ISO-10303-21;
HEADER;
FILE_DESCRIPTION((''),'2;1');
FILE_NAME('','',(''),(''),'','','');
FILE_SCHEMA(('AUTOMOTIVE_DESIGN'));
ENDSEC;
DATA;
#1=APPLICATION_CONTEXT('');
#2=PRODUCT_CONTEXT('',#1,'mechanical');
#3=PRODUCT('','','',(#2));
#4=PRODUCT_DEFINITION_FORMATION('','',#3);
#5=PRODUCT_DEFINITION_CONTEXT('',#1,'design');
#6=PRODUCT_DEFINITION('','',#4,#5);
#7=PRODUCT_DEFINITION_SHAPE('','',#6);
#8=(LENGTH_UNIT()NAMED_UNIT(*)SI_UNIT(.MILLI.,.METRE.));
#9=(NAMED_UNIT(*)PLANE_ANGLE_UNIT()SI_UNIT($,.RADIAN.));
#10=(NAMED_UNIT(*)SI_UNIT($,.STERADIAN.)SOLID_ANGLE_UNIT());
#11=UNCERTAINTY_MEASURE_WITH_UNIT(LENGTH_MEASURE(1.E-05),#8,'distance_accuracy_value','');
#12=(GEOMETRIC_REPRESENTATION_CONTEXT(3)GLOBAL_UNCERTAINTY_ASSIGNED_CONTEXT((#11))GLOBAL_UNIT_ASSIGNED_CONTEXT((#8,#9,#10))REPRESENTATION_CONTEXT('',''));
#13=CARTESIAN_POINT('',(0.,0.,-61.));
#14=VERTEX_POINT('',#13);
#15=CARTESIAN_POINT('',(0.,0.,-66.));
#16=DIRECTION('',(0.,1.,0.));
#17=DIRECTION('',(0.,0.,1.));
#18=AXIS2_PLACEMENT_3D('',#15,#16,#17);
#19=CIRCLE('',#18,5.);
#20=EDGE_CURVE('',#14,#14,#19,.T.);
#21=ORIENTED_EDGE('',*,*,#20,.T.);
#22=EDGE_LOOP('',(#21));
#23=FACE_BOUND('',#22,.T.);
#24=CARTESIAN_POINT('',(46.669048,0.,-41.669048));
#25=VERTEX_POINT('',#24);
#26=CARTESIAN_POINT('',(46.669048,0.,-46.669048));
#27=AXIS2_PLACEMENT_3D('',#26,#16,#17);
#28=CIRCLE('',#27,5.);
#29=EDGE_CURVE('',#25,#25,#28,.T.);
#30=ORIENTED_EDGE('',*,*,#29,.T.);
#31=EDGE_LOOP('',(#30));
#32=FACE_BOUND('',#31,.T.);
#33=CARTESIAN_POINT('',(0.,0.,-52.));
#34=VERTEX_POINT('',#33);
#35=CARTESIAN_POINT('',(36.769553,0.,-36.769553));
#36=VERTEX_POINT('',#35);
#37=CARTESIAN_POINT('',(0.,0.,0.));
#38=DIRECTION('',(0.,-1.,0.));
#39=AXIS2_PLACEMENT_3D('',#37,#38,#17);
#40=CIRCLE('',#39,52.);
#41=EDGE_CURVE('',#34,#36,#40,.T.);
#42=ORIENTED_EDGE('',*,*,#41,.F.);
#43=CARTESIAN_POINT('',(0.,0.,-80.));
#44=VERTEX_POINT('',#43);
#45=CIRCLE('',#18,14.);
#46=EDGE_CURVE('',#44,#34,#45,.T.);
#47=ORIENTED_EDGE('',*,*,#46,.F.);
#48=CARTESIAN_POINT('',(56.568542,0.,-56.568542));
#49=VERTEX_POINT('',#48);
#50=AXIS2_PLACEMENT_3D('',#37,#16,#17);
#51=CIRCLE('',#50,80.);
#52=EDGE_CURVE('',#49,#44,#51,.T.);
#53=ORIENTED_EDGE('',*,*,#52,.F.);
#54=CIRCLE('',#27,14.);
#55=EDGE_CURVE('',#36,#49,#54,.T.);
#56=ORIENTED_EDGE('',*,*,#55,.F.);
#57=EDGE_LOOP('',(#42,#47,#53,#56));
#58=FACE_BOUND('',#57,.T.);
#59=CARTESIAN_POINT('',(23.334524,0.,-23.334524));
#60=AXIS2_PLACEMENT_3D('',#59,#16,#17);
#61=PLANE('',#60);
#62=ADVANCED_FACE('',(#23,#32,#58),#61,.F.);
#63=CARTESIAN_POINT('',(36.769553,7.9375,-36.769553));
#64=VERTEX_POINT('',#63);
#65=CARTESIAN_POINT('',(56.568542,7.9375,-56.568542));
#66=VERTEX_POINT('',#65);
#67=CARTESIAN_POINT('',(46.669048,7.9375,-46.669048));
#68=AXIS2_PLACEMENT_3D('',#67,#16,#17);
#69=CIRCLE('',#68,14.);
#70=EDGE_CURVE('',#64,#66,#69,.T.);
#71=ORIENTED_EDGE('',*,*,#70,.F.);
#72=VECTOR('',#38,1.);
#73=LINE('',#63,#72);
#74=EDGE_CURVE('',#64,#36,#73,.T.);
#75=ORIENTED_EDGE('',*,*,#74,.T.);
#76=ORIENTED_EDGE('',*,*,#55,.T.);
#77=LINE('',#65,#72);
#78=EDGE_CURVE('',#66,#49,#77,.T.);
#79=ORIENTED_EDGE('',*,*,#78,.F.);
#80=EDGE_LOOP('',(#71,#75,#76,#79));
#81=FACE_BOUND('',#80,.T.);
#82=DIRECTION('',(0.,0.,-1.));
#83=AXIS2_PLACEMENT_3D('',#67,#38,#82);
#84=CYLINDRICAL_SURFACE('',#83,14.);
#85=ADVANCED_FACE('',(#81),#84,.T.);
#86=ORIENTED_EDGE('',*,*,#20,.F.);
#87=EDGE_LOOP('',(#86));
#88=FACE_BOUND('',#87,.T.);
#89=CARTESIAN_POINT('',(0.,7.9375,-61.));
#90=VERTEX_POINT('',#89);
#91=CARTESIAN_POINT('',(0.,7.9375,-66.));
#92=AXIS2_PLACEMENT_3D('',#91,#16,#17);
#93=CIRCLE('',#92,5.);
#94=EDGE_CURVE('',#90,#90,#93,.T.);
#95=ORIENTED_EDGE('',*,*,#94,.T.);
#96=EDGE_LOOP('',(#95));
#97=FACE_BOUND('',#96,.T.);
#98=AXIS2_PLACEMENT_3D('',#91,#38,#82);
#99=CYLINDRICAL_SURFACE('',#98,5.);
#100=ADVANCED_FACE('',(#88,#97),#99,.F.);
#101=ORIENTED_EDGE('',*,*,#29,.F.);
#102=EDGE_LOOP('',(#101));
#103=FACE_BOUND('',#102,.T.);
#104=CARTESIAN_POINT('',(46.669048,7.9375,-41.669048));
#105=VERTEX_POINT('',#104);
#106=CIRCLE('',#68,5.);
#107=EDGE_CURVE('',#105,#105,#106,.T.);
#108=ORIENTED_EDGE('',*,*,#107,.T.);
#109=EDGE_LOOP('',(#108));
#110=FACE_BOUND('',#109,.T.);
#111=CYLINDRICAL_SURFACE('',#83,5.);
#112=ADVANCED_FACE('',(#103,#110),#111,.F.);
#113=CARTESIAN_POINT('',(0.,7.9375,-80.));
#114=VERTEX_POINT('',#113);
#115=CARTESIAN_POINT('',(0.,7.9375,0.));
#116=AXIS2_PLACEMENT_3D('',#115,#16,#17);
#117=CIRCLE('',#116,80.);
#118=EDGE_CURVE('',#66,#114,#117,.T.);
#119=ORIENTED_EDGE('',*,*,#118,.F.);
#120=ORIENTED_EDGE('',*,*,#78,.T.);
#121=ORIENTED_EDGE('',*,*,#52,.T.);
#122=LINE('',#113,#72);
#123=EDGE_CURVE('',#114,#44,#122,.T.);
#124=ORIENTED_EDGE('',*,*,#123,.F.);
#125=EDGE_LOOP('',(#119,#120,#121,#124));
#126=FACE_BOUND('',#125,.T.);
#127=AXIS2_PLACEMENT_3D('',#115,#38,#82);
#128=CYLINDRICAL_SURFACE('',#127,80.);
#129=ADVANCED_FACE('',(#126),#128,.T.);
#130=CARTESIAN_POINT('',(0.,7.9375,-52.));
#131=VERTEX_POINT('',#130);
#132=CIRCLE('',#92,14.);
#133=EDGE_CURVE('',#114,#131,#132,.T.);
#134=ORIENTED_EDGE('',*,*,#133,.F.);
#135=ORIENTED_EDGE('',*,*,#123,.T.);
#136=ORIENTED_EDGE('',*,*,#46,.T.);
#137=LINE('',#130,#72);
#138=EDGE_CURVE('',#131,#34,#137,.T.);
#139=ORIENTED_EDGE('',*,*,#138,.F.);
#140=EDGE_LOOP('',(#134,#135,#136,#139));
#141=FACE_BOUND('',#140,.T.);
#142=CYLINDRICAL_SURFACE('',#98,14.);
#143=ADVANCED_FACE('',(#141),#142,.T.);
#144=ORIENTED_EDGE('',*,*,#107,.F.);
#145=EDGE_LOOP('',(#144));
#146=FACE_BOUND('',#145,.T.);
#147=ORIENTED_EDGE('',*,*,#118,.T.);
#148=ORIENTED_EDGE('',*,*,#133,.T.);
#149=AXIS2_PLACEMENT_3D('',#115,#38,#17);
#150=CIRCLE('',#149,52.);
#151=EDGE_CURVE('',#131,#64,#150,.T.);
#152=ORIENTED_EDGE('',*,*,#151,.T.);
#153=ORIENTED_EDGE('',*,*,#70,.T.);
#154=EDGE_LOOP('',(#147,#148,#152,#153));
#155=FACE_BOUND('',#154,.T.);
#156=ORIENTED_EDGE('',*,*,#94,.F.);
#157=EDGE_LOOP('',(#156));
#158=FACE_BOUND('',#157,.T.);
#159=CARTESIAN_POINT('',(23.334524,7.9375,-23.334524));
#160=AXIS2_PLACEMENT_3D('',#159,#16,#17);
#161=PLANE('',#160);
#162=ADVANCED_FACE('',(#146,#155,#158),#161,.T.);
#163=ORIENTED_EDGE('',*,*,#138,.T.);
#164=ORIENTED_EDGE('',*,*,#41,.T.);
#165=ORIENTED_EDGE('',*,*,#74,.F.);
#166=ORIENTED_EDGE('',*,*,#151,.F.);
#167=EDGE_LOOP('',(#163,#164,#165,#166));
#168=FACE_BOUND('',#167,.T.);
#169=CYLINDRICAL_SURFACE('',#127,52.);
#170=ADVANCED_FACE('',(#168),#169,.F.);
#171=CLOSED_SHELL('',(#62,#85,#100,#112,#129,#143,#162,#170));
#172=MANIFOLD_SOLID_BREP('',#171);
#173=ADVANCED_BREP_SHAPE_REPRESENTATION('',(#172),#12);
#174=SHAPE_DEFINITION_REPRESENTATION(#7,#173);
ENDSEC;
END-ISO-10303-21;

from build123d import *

# Parameters (mm, degrees)
SKETCH1_R           = 5
BOSS_EXTRUDE1_DEPTH = 7.9375


with BuildPart() as part:
    # Sketch1 → Boss-Extrude1 (new body)
    with BuildSketch(Plane(origin=(0, 0, 0), x_dir=(1, 0, 0), z_dir=(0, 1, 0))):
        with BuildLine():
            ThreePointArc((56.568542495, 56.568542495), (30.614674589, 73.910362601), (0, 80))
            ThreePointArc((0, 80), (-14, 66), (0, 52))
            ThreePointArc((0, 52), (19.899538483, 48.041735691), (36.769552622, 36.769552622))
            ThreePointArc((36.769552622, 36.769552622), (56.568542495, 36.769552622), (56.568542495, 56.568542495))
        make_face()
        with Locations(Location((0, 66, 0), (0, 0, 270))):
            Circle(SKETCH1_R, mode=Mode.SUBTRACT)
        with Locations(Location((46.669047558, 46.669047558, 0), (0, 0, 270))):
            Circle(SKETCH1_R, mode=Mode.SUBTRACT)
    extrude(amount=BOSS_EXTRUDE1_DEPTH)


solid = part.part
